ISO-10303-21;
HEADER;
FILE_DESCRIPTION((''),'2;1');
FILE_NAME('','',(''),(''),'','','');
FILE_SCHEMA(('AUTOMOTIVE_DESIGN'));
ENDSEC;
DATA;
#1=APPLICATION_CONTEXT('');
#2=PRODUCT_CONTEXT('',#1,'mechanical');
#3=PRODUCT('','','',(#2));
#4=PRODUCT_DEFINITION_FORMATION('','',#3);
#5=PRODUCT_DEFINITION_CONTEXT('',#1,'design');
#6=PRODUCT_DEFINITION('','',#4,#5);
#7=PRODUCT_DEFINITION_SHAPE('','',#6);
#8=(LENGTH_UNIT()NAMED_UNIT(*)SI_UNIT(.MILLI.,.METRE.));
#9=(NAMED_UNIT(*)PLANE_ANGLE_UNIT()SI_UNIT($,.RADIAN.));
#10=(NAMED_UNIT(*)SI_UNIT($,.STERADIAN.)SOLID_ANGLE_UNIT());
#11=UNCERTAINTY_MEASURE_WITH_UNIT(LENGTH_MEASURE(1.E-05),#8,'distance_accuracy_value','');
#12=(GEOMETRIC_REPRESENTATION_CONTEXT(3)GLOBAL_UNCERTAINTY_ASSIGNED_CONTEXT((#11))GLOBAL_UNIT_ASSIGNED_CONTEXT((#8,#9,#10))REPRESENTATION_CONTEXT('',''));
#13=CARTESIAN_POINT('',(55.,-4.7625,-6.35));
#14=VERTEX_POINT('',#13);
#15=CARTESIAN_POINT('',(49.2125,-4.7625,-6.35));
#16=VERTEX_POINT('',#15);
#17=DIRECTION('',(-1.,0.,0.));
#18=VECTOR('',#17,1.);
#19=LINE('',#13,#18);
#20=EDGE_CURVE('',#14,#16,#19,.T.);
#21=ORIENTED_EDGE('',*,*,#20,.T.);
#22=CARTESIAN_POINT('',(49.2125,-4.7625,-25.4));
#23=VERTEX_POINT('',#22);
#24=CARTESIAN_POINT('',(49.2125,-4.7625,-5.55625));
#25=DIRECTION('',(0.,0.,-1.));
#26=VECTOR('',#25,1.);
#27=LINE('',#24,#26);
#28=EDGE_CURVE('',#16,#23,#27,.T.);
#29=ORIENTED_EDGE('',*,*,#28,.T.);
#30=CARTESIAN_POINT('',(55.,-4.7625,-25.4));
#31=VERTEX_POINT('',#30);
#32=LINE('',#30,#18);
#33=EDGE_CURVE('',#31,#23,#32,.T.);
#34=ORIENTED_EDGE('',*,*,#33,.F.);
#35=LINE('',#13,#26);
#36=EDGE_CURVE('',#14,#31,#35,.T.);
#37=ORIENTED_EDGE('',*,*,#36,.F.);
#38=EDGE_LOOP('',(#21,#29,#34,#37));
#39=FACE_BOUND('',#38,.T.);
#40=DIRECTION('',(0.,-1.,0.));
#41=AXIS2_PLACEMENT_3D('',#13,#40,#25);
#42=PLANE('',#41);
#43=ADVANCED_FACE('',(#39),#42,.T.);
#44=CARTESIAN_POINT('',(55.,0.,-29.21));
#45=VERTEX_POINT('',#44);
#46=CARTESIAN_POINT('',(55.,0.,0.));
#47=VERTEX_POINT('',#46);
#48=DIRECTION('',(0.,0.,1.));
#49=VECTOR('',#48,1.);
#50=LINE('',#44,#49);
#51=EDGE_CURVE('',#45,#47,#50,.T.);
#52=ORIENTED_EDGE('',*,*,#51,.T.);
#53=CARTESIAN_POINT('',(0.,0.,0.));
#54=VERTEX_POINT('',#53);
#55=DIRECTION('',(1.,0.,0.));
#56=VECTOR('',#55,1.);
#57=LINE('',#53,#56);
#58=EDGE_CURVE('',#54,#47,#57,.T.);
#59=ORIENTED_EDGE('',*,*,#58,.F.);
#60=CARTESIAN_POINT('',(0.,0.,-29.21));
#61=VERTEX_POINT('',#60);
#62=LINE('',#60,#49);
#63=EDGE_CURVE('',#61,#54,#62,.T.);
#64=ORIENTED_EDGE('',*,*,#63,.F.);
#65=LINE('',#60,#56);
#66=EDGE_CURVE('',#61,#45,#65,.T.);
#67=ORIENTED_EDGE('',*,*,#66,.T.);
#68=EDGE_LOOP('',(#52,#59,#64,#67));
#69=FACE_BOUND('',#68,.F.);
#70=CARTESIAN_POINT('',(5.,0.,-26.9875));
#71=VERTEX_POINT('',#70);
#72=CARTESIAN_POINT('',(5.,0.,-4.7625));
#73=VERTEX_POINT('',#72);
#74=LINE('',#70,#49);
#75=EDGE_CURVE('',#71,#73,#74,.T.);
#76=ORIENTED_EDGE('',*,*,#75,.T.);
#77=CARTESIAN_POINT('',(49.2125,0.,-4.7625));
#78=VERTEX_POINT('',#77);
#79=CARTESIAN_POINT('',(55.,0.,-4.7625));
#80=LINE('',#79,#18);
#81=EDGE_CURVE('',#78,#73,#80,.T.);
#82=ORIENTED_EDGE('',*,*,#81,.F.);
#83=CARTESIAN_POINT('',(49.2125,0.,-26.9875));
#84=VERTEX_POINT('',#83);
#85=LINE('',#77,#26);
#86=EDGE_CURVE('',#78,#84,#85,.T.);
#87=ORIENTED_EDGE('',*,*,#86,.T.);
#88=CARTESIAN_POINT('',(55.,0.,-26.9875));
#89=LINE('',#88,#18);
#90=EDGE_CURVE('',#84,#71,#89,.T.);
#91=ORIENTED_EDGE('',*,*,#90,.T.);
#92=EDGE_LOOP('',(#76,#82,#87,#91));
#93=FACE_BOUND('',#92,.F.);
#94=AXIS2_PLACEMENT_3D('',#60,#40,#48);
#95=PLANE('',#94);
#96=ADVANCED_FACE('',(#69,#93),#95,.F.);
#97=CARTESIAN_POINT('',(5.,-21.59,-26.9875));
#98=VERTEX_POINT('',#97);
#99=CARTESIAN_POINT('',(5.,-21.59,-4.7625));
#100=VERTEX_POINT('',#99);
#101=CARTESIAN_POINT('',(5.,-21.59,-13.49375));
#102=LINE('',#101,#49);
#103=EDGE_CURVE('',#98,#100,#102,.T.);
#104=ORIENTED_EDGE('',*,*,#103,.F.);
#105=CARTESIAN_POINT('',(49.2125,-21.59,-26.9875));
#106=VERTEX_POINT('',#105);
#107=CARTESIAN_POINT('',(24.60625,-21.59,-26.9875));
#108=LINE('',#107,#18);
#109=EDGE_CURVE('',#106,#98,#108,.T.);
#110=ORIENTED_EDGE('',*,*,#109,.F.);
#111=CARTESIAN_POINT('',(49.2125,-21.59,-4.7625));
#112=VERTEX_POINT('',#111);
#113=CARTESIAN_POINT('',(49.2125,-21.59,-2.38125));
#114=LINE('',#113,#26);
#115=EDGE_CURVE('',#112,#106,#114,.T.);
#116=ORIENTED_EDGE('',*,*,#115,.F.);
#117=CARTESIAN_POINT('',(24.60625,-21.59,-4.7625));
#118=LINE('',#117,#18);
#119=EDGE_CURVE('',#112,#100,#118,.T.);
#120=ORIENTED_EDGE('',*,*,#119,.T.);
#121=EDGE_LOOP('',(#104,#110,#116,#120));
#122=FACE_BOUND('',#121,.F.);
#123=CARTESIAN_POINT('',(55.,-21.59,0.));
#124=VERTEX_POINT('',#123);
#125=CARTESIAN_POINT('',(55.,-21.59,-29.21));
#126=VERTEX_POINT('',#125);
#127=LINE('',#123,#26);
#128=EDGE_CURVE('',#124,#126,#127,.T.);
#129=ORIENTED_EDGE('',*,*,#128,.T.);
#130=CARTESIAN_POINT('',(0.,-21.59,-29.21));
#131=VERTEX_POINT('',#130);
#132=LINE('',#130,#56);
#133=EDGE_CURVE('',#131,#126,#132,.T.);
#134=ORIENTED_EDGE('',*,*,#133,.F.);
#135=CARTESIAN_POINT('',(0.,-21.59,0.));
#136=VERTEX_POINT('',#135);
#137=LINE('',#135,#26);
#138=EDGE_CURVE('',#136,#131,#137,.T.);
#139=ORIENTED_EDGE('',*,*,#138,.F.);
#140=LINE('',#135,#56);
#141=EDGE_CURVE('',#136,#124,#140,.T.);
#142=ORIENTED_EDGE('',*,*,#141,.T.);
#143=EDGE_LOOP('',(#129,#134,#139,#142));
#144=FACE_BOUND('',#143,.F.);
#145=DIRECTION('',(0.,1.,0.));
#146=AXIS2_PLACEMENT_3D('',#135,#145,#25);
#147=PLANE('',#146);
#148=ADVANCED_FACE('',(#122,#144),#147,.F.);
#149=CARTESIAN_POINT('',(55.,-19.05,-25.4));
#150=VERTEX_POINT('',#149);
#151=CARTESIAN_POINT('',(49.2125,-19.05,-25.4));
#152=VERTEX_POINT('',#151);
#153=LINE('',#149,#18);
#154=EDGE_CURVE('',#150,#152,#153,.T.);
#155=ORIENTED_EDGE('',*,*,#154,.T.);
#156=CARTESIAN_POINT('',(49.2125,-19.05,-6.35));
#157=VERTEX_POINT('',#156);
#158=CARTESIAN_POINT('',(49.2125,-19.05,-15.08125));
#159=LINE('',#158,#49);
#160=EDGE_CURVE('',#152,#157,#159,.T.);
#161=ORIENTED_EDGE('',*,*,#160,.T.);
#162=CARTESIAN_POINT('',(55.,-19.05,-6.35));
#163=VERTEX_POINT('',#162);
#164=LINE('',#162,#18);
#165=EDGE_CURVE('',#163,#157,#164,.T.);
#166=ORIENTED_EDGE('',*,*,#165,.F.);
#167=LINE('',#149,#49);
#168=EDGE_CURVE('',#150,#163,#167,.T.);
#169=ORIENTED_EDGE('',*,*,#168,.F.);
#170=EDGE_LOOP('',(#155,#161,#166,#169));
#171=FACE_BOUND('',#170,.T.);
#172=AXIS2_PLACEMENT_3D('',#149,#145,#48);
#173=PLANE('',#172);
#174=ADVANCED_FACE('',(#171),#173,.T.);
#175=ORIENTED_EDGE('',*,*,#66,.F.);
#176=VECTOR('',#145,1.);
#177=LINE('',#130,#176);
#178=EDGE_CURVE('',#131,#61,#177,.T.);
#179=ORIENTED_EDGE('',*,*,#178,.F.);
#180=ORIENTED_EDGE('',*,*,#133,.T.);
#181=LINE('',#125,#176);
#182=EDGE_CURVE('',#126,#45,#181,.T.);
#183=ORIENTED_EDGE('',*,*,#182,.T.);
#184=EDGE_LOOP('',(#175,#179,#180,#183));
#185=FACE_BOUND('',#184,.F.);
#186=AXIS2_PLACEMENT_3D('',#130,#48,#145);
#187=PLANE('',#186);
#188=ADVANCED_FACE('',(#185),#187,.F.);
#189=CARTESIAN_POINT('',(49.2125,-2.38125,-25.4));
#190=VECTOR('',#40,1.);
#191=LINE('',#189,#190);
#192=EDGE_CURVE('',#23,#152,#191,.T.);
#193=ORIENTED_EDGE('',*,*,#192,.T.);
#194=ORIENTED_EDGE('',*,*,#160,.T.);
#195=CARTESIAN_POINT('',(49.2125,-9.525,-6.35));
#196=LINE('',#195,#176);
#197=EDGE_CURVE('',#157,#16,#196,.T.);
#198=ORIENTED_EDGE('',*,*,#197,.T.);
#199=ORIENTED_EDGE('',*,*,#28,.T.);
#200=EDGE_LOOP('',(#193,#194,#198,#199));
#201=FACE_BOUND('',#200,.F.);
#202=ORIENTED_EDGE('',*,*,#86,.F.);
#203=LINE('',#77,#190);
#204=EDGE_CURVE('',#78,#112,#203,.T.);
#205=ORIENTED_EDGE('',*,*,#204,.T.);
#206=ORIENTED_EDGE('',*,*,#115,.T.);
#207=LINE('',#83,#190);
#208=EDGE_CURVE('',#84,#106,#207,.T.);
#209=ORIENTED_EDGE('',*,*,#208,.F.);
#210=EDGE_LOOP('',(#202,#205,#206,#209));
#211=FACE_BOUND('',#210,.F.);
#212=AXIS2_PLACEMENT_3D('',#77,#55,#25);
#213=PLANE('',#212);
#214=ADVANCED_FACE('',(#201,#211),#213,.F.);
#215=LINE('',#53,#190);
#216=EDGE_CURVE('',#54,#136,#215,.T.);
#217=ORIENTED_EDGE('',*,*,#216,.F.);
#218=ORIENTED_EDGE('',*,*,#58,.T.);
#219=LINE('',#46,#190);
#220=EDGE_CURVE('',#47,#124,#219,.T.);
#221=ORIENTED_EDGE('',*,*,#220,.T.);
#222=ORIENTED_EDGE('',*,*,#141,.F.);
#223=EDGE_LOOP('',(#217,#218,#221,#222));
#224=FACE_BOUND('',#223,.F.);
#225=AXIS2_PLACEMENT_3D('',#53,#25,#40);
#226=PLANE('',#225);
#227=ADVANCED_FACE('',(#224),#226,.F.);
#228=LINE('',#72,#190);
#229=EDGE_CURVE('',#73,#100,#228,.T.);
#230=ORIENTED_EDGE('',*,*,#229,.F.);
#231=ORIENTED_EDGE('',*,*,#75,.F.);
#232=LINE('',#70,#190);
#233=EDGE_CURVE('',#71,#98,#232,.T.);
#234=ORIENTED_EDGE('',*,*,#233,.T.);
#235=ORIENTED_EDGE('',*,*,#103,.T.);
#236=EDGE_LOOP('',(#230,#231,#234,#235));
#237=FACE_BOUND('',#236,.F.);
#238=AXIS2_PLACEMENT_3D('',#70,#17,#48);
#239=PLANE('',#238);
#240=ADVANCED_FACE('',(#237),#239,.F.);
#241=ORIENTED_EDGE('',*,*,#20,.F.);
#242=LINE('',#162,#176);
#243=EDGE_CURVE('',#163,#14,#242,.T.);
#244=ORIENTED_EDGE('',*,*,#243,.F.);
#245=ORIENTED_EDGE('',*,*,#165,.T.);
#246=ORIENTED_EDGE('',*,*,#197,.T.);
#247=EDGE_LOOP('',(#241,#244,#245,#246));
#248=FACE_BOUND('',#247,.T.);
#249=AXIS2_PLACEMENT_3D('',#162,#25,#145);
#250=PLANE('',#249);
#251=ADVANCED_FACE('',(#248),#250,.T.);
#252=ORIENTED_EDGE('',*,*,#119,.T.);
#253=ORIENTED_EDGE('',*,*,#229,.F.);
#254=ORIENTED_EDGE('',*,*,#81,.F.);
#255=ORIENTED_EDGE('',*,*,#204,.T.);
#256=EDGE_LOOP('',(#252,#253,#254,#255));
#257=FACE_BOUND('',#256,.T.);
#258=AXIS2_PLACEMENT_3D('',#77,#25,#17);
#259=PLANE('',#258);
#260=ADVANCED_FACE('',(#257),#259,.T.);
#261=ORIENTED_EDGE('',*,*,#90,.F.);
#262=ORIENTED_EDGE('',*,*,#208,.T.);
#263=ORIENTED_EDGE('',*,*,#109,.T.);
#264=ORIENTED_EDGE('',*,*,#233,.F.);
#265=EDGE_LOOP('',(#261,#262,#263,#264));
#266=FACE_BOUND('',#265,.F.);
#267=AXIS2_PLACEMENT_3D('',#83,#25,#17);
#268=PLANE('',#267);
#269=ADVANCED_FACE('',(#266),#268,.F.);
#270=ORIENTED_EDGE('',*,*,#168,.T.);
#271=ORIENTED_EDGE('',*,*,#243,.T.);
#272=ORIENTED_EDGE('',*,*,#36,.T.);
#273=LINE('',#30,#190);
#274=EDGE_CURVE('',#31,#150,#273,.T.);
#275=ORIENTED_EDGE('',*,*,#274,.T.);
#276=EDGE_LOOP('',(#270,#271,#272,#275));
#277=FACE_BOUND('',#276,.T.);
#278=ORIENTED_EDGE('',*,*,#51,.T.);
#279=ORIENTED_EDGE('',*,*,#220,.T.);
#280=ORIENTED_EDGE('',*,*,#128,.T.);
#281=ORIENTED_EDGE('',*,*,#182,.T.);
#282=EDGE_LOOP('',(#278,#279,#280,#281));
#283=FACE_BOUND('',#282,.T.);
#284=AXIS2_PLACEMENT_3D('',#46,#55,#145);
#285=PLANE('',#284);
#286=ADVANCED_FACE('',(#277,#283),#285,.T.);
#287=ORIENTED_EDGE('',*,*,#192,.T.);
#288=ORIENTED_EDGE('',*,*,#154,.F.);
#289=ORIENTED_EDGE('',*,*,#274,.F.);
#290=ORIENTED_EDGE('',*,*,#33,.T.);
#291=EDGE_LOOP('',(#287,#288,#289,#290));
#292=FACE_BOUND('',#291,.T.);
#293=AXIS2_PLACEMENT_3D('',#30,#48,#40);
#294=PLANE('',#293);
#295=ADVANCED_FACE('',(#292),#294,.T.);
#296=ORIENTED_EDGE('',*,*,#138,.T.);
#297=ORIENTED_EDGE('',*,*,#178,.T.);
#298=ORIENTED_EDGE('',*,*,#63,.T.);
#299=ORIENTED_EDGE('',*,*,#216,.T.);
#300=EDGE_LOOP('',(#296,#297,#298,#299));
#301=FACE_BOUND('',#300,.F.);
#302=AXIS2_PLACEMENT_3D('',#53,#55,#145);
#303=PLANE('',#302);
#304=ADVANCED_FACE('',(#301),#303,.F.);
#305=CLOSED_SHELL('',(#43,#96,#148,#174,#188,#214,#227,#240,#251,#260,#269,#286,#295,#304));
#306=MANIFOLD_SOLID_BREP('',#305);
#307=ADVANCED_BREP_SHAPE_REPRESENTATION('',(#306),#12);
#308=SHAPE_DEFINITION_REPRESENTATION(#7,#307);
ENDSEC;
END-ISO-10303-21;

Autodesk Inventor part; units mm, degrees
ref_plane "YZ Plane" through (0, 0, 0) normal (1, 0, 0) x (0, 1, 0)
ref_plane "XZ Plane" through (0, 0, 0) normal (0, 1, 0) x (-1, 0, 0)
ref_plane "XY Plane" through (0, 0, 0) normal (0, 0, 1) x (1, 0, 0)
sketch "Sketch1" plane through (0, 0, 0) normal (1, 0, 0) x (0, 1, 0)
  line L0 (0, 0) -> (-21.59, 0)
  line L1 (-21.59, 0) -> (-21.59, -29.21)
  line L2 (-21.59, -29.21) -> (0, -29.21)
  line L3 (0, -29.21) -> (0, 0)
  dimension "d25" = 29.21
  dimension "d26" = 21.59
extrude "Extrusion1" add sketch "Sketch1" along normal blind 55
sketch "Sketch3" plane through (0, 0, 0) normal (0, 1, 0) x (1, 0, 0)
  line L0 (55, 26.9875) -> (5, 26.9875) projected
  line L1 (55, 4.7625) -> (5, 4.7625) projected
  line L2 (49.2125, 26.9875) -> (5, 26.9875)
  line L3 (5, 26.9875) -> (5, 4.7625)
  line L4 (5, 4.7625) -> (49.2125, 4.7625)
  line L5 (49.2125, 4.7625) -> (49.2125, 26.9875)
  point P0 (0, 0)
extrude "Extrusion3" cut sketch "Sketch3" against normal blind 25
sketch "Sketch4" plane through (55, 0, 0) normal (1, 0, 0) x (0, 0, -1)
  line L0 (25.4, -19.05) -> (6.35, -19.05)
  line L1 (6.35, -19.05) -> (6.35, -4.7625)
  line L2 (6.35, -4.7625) -> (25.4, -4.7625)
  line L3 (25.4, -4.7625) -> (25.4, -19.05)
  point P0 (0, 0)
extrude "Extrusion4" cut sketch "Sketch4" against normal blind 25
